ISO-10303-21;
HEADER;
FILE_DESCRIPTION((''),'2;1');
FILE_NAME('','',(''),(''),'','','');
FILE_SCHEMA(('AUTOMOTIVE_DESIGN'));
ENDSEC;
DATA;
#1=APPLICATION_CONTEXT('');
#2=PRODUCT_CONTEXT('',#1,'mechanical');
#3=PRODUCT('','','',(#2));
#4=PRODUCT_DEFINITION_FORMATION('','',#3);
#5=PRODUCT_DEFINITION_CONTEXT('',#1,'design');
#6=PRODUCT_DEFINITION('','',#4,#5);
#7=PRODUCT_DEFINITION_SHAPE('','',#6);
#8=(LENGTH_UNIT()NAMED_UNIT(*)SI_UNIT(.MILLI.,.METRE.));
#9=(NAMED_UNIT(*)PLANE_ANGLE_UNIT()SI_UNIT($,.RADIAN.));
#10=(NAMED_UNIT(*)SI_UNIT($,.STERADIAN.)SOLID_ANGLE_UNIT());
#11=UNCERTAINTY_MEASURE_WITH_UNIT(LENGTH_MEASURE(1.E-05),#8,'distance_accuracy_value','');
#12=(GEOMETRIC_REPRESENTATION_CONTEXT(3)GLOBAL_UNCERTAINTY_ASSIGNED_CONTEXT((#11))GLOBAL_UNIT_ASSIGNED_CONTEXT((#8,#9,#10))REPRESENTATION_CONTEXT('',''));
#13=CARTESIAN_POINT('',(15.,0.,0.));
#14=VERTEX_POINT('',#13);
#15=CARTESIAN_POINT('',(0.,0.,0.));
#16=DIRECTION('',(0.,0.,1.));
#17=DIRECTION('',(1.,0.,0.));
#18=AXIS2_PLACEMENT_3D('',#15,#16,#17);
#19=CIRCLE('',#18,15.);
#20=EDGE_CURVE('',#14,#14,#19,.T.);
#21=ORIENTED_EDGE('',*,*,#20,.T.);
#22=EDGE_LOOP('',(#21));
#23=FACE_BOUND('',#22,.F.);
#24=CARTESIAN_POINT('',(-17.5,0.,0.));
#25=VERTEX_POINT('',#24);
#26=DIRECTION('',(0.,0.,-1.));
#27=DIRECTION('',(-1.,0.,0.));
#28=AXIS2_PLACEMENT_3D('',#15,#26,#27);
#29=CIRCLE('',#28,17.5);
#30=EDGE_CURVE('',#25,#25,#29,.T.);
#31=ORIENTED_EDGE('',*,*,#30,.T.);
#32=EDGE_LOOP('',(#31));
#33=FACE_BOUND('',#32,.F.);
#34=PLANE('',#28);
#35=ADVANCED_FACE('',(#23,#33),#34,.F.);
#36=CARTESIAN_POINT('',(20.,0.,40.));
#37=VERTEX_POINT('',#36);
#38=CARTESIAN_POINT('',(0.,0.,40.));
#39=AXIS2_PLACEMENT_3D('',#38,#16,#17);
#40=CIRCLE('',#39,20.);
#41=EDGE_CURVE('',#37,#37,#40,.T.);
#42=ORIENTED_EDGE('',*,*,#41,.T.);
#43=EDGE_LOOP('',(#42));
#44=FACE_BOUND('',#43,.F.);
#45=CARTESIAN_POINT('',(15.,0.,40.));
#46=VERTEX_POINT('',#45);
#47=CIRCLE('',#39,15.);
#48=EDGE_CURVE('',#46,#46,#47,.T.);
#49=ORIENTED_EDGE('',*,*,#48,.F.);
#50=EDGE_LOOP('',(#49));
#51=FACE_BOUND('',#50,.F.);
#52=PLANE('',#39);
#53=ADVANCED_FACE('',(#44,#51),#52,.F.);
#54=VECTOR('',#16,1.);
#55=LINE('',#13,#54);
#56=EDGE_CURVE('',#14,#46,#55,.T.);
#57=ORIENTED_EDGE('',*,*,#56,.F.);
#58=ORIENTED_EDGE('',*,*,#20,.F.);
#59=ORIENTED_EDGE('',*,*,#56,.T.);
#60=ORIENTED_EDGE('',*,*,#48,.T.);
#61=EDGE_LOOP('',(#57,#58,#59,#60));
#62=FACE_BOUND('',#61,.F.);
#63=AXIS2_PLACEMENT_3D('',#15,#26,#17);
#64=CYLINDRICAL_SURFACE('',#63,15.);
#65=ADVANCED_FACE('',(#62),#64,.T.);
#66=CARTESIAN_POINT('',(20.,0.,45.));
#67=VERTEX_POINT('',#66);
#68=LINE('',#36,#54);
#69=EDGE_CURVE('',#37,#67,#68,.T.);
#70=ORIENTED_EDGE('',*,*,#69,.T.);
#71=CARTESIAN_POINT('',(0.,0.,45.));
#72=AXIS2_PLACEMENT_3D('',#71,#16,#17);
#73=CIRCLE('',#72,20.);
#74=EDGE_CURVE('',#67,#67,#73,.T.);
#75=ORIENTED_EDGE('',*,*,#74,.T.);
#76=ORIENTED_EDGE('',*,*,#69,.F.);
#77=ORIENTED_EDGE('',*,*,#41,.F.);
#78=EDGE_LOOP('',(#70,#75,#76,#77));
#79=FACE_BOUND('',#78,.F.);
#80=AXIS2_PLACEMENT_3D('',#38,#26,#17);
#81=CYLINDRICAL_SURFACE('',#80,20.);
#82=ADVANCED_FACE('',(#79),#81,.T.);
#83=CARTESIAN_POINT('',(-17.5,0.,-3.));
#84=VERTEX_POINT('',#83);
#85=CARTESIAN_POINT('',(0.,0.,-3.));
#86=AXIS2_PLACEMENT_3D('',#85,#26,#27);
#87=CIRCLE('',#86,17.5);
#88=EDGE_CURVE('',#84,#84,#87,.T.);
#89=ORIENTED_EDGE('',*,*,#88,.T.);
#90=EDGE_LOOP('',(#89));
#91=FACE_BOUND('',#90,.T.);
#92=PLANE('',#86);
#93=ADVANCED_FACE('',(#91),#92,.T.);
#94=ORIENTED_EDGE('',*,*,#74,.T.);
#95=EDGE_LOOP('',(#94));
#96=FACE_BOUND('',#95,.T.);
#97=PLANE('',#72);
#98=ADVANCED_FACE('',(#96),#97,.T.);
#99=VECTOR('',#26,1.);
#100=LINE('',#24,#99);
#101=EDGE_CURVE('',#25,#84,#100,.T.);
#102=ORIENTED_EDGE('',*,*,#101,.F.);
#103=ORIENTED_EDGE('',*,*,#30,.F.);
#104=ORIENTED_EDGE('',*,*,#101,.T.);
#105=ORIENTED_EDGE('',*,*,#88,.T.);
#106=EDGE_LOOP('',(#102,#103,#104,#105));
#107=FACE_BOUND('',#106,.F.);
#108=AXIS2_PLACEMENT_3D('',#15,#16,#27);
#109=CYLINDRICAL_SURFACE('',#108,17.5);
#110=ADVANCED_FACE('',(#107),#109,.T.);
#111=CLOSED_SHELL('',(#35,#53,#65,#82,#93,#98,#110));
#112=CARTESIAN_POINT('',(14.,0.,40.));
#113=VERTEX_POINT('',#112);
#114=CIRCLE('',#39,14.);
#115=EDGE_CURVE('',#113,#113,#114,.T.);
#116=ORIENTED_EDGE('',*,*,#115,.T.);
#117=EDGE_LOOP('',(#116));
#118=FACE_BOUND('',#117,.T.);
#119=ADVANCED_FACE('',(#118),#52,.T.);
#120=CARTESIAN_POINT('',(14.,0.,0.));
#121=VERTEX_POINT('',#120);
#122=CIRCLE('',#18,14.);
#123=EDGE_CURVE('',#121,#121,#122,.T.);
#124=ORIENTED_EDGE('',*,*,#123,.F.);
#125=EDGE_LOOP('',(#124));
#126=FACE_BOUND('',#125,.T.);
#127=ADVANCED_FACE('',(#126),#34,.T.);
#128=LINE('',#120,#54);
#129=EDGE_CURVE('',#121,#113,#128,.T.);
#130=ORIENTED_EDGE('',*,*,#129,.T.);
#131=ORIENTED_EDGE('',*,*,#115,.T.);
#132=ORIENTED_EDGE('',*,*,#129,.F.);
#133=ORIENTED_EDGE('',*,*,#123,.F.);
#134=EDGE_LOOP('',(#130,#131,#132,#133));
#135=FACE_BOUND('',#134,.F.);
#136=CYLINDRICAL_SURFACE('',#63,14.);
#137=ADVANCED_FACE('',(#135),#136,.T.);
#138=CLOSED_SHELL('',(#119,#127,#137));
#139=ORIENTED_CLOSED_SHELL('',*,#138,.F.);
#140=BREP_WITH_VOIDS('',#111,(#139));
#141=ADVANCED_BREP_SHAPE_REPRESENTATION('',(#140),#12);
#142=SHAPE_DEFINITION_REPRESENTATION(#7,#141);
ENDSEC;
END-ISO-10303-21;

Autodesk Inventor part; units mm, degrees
ref_plane "YZ Plane" through (0, 0, 0) normal (1, 0, 0) x (0, 1, 0)
ref_plane "XZ Plane" through (0, 0, 0) normal (0, 1, 0) x (-1, 0, 0)
ref_plane "XY Plane" through (0, 0, 0) normal (0, 0, 1) x (1, 0, 0)
sketch "Sketch1" plane through (0, 0, 0) normal (0, 0, 1) x (1, 0, 0)
  circle A0 centre (0, 0) radius 20
  circle A1 centre (0, 0) radius 15
  circle A2 centre (0, 0) radius 13
  circle A3 centre (0, 0) radius 14
  dimension "d0" = 40
  dimension "d1" = 5
  dimension "d2" = 2
  dimension "d3" = 1
extrude "Extrusion1" add sketch "Sketch1" along normal blind 40 contours A1
sketch "Sketch2" plane through (0, 0, 40) normal (0, 0, 1) x (1, 0, 0)
  point P0 (0, 0)
sketch "Sketch3" plane through (0, 0, 40) normal (0, 0, 1) x (1, 0, 0)
  circle A0 centre (0, 0) radius 20
  dimension "d6" = 40
extrude "Extrusion2" add sketch "Sketch3" along normal blind 5
sketch "Sketch4" plane through (0, 0, 0) normal (0, 0, -1) x (-1, 0, 0)
  circle A0 centre (0, 0) radius 17.5
  dimension "d9" = 35
extrude "Extrusion3" add sketch "Sketch4" along normal blind 3
sketch "Sketch5" plane through (0, 0, 45) normal (0, 0, 1) x (1, 0, 0)
  point P0 (0, 0)
sketch "Sketch6" plane through (0, 0, 45) normal (0, 0, 1) x (1, 0, 0)
  circle A0 centre (0, 0) radius 15
properties part number "weird_cylinder"
